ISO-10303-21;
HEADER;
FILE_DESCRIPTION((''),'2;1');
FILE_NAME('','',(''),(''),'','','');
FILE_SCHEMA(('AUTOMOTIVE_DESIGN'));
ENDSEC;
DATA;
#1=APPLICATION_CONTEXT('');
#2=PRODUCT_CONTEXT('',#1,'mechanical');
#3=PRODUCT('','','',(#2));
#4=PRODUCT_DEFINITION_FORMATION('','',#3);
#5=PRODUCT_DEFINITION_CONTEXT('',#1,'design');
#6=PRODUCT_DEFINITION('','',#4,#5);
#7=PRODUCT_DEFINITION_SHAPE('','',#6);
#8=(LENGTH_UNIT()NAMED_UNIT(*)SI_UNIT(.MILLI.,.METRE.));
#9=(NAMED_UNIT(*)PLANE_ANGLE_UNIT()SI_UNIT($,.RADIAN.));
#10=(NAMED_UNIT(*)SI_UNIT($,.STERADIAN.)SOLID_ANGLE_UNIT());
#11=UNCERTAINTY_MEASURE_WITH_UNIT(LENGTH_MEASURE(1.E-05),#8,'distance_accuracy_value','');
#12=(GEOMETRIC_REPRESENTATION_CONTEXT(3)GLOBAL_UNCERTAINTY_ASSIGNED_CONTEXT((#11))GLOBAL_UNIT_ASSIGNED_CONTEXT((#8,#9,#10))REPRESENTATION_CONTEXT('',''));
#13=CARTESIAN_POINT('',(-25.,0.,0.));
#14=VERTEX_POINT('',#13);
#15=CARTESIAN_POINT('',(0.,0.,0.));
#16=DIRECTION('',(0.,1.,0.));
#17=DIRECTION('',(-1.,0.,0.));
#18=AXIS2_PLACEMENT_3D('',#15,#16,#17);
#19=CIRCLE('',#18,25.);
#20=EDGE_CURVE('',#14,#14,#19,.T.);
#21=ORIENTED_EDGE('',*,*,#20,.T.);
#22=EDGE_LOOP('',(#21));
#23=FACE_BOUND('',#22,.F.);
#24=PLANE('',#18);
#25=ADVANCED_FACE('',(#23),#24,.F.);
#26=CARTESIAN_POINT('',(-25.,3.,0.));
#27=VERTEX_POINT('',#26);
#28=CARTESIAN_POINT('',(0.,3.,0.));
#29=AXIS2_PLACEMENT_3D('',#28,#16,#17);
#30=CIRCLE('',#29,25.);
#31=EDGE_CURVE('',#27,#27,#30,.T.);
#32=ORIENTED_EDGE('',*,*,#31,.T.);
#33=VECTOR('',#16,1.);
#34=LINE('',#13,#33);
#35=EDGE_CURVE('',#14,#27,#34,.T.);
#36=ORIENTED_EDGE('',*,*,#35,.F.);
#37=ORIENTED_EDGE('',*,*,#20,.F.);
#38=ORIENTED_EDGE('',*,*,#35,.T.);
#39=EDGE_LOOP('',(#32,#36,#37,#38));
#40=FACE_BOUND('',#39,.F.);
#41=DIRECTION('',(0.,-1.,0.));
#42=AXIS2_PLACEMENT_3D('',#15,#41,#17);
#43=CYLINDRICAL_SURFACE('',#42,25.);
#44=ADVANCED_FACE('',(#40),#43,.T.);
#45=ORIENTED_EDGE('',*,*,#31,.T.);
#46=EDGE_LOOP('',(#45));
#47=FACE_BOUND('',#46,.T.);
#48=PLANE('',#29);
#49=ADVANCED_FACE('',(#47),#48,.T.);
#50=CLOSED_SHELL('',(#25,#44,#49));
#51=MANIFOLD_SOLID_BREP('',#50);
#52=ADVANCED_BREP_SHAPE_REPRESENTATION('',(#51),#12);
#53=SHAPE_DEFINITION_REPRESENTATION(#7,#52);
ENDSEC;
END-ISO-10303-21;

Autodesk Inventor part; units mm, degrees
ref_plane "YZ Plane" through (0, 0, 0) normal (1, 0, 0) x (0, 1, 0)
ref_plane "XZ Plane" through (0, 0, 0) normal (0, 1, 0) x (-1, 0, 0)
ref_plane "XY Plane" through (0, 0, 0) normal (0, 0, 1) x (1, 0, 0)
sketch "Sketch1" plane through (0, 0, 0) normal (0, 1, 0) x (-1, 0, 0)
  circle A0 centre (0, 0) radius 25
  dimension "d0" = 50
extrude "Extrusion1" add sketch "Sketch1" along normal blind 3
properties part number "Window" material "Glass"
